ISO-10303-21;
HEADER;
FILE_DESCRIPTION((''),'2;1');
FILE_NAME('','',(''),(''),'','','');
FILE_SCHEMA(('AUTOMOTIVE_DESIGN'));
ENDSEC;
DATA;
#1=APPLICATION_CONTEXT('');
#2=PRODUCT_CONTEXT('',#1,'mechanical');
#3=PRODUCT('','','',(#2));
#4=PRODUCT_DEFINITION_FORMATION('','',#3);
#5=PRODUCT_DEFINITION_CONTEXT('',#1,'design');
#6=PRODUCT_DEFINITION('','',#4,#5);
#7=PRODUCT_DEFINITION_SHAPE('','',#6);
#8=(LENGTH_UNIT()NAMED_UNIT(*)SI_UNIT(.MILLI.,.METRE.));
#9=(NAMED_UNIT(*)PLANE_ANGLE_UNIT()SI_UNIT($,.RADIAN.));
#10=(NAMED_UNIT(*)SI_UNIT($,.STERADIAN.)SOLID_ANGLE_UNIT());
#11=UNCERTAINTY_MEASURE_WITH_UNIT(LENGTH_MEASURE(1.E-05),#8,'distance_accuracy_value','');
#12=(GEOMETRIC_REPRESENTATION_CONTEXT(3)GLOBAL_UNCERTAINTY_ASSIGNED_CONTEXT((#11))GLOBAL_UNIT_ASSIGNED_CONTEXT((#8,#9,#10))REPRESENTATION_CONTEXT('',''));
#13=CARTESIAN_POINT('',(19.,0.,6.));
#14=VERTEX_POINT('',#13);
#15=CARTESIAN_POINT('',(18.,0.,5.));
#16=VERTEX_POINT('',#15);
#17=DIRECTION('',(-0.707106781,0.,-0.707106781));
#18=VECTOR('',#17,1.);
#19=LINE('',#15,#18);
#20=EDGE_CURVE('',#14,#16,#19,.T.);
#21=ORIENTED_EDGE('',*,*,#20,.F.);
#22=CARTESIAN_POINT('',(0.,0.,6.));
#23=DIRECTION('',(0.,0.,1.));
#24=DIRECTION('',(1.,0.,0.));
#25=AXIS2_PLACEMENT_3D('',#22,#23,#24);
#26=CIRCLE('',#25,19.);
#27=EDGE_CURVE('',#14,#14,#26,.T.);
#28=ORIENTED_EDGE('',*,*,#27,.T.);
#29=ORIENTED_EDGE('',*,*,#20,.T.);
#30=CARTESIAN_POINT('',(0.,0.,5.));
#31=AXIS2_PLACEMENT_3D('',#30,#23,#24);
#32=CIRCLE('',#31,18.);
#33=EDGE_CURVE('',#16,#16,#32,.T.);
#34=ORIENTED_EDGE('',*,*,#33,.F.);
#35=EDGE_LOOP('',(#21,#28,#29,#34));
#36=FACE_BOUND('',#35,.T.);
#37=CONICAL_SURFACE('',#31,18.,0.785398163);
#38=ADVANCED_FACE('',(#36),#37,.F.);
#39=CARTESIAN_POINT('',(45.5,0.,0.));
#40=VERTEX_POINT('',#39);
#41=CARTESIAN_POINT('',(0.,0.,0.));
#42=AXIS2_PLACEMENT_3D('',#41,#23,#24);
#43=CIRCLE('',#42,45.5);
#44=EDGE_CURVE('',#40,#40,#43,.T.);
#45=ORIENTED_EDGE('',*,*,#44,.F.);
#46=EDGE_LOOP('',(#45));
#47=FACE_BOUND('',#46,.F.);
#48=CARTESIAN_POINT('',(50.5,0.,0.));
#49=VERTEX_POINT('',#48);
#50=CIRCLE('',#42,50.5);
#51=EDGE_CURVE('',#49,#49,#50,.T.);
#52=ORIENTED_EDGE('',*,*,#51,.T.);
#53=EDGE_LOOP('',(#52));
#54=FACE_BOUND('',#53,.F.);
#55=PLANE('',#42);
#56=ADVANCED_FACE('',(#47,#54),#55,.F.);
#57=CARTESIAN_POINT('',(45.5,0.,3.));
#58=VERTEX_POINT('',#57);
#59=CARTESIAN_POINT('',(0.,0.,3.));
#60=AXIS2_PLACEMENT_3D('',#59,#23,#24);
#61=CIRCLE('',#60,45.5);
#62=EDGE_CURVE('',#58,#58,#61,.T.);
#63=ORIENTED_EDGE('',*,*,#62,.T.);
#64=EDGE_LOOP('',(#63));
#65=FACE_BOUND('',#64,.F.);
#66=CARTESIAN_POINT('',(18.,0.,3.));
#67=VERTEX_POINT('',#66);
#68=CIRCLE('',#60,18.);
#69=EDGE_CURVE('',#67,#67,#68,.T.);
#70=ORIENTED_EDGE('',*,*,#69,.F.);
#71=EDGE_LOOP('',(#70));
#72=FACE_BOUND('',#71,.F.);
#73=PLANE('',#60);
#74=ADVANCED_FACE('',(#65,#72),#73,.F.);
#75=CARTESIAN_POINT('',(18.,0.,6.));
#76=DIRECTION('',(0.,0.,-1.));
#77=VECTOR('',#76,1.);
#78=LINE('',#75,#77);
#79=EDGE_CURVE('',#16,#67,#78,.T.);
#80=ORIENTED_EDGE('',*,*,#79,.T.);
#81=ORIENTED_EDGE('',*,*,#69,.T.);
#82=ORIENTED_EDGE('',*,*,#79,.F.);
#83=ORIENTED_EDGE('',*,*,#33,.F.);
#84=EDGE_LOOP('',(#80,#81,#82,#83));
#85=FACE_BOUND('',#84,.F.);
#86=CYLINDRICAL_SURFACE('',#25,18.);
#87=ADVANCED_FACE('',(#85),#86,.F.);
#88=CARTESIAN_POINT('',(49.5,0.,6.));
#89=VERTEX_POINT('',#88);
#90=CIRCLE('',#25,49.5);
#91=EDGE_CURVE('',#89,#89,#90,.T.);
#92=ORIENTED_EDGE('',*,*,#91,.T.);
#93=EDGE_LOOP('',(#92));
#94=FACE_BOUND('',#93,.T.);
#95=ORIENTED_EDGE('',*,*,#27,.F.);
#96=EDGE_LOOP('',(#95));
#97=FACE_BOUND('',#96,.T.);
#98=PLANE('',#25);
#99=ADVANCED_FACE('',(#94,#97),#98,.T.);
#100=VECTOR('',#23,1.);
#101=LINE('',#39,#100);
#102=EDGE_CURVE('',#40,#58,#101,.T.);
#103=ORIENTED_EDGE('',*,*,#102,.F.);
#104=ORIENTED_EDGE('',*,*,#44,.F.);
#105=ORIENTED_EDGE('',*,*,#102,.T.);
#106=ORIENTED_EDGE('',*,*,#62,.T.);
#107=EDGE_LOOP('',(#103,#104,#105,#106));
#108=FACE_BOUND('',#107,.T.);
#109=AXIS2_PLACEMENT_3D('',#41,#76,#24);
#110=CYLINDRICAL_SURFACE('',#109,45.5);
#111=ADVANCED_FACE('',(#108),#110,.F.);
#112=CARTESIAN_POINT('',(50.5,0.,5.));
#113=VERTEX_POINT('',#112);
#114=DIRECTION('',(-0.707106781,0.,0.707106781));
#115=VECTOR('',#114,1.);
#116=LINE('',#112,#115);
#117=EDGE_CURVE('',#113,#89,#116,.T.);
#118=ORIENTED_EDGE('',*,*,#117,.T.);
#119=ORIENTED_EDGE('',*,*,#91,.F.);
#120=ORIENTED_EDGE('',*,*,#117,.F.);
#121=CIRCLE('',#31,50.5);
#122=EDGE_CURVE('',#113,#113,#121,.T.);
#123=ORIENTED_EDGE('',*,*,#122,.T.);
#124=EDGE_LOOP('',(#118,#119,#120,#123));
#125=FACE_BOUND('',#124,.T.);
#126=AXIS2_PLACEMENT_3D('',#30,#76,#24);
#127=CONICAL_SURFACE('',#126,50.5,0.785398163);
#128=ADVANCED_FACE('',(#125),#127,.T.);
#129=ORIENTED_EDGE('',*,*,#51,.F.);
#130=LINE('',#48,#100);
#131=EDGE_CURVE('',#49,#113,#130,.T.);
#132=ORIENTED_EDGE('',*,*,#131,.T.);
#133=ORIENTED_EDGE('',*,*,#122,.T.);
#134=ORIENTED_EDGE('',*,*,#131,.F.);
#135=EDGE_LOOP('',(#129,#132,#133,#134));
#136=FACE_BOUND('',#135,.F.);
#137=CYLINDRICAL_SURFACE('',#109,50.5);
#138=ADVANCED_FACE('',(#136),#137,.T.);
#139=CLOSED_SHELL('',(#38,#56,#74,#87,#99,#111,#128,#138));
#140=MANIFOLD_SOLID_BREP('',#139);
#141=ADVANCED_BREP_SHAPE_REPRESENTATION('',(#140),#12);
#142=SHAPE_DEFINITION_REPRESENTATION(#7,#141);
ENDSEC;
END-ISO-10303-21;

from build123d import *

# Parameters (mm, degrees)
F0_R     = 50.5
F0_R_2   = 45.5
F1_DEPTH = 6
F2_DEPTH = 3
F3_R     = 18
F4_DEPTH = 6.001
F5_SIZE  = 1


with BuildPart() as f1:
    # F0 (on Top) → F1 (new body)
    with BuildSketch(Plane.XY):
        Circle(F0_R)
        Circle(F0_R_2, mode=Mode.SUBTRACT)
        Circle(F0_R_2)
    extrude(amount=F1_DEPTH)

    # F0 (on Top) → F2 (cut)
    with BuildSketch(Plane.XY):
        Circle(F0_R_2)
    extrude(amount=F2_DEPTH, mode=Mode.SUBTRACT)

    # F3 (on face) → F4 (cut, through all)
    with BuildSketch(Plane.XY.offset(6)):
        Circle(F3_R)
    extrude(amount=-F4_DEPTH, mode=Mode.SUBTRACT)

    # F5
    f5_edges = [f1.edges().sort_by_distance(p)[0] for p in [
        (-18, 0, 6),
        (-50.5, 0, 6),
    ]]
    chamfer(f5_edges, length=F5_SIZE)


solid = f1.part
